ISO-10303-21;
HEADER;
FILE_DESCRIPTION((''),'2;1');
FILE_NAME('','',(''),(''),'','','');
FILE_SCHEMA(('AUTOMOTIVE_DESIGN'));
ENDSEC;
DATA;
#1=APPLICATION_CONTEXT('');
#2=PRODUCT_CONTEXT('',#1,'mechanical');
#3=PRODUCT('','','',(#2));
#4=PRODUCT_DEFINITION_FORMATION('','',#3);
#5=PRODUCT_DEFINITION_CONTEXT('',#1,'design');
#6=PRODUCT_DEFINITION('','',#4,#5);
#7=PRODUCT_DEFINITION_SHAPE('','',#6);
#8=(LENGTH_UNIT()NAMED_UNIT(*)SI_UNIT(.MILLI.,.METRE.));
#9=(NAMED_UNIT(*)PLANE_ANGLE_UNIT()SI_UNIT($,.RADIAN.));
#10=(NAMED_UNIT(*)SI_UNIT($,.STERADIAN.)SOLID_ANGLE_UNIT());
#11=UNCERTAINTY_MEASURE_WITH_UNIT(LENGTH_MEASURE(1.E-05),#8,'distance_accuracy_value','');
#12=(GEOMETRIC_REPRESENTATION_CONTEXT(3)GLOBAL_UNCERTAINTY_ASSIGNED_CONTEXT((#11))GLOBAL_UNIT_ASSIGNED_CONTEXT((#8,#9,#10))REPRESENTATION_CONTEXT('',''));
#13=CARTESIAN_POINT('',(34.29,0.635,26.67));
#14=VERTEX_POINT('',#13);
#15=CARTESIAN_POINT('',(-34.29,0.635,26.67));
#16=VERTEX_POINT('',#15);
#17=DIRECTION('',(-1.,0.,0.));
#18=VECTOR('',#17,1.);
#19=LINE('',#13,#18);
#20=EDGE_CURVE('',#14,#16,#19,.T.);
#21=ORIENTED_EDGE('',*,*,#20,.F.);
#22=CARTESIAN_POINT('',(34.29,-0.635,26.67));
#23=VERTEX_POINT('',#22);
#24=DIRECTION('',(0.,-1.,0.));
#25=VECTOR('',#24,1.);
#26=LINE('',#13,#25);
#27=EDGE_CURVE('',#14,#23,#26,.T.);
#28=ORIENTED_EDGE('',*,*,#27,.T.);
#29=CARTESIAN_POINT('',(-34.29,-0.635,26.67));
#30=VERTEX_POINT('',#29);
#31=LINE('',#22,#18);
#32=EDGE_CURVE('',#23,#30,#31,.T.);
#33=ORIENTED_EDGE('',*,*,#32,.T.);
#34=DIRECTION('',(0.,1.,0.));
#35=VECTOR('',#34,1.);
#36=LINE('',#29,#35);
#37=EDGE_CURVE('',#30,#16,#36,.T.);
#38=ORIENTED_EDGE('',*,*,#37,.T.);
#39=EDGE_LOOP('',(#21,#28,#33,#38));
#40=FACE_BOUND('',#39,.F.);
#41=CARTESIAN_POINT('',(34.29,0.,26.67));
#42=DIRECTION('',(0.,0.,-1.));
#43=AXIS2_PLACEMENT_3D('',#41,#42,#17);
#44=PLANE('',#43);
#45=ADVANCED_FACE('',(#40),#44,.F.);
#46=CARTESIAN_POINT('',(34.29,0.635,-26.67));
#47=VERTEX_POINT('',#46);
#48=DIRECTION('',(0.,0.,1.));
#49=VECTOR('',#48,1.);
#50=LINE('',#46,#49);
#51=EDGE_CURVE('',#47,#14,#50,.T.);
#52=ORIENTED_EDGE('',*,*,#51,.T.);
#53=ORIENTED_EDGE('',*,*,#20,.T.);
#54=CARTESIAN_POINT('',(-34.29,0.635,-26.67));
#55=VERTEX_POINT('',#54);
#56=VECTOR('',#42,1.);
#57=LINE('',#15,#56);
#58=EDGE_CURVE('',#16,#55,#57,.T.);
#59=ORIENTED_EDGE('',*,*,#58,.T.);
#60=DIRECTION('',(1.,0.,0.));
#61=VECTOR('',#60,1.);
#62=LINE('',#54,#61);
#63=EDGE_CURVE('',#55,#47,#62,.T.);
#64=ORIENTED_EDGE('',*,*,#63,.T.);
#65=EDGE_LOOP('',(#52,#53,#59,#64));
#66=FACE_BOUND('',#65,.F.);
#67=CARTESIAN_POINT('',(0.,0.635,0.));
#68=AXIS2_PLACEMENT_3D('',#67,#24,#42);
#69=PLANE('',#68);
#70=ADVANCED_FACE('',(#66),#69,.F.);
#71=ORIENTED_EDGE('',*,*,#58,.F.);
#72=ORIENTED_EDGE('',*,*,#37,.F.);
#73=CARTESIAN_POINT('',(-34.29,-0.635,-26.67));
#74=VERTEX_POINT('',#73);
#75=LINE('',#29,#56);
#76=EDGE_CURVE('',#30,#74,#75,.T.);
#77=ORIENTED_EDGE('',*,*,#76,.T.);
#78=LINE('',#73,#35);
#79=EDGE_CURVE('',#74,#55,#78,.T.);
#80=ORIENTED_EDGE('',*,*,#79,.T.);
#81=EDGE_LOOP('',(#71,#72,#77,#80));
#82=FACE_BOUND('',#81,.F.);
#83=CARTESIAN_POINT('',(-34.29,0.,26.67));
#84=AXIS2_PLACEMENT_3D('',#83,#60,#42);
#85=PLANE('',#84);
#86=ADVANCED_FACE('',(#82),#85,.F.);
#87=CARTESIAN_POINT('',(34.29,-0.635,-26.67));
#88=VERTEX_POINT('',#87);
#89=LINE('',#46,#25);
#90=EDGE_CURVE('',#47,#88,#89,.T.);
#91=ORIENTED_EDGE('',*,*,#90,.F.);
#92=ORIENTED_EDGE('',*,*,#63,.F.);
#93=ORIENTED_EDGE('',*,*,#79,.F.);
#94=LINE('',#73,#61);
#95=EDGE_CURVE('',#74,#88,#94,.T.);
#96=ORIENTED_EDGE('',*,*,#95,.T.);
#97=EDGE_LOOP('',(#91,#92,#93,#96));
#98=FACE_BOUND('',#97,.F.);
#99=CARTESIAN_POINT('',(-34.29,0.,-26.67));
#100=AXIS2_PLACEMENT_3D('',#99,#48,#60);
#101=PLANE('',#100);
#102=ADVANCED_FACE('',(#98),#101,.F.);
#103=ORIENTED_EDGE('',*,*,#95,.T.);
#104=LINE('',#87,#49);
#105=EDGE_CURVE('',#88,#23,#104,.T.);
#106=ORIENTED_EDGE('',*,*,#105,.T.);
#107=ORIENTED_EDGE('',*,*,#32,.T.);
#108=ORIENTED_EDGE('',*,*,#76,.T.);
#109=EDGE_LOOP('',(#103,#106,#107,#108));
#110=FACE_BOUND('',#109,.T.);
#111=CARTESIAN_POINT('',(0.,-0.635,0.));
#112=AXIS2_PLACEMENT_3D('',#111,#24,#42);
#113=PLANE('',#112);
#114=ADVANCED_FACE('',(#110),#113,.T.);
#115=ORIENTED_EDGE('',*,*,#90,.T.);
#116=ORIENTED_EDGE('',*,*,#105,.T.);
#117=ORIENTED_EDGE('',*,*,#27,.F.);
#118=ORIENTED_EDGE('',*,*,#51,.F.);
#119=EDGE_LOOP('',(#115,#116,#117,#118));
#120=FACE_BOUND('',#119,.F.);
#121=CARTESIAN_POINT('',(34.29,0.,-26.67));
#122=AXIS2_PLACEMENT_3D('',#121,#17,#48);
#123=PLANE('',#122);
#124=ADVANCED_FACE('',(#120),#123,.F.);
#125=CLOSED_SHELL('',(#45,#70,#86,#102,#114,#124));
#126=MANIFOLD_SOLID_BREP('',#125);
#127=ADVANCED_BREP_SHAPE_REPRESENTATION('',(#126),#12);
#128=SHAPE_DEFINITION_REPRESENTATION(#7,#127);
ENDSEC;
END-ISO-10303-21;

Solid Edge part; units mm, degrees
sketch "Sketch1" plane through (0, 0, 0) normal (0, -1, 0) x (1, 0, 0)
  line L0 (-34.29, -26.67) -> (34.29, -26.67)
  line L1 (34.29, -26.67) -> (34.29, 26.67)
  line L2 (34.29, 26.67) -> (-34.29, 26.67)
  line L3 (-34.29, 26.67) -> (-34.29, -26.67)
  dimension "D1" = 68.58
  dimension "D2" = 53.34
extrude "ExtrudedProtrusion_1" add sketch "Sketch1" along normal mid plane 1.27
properties material "SST"
